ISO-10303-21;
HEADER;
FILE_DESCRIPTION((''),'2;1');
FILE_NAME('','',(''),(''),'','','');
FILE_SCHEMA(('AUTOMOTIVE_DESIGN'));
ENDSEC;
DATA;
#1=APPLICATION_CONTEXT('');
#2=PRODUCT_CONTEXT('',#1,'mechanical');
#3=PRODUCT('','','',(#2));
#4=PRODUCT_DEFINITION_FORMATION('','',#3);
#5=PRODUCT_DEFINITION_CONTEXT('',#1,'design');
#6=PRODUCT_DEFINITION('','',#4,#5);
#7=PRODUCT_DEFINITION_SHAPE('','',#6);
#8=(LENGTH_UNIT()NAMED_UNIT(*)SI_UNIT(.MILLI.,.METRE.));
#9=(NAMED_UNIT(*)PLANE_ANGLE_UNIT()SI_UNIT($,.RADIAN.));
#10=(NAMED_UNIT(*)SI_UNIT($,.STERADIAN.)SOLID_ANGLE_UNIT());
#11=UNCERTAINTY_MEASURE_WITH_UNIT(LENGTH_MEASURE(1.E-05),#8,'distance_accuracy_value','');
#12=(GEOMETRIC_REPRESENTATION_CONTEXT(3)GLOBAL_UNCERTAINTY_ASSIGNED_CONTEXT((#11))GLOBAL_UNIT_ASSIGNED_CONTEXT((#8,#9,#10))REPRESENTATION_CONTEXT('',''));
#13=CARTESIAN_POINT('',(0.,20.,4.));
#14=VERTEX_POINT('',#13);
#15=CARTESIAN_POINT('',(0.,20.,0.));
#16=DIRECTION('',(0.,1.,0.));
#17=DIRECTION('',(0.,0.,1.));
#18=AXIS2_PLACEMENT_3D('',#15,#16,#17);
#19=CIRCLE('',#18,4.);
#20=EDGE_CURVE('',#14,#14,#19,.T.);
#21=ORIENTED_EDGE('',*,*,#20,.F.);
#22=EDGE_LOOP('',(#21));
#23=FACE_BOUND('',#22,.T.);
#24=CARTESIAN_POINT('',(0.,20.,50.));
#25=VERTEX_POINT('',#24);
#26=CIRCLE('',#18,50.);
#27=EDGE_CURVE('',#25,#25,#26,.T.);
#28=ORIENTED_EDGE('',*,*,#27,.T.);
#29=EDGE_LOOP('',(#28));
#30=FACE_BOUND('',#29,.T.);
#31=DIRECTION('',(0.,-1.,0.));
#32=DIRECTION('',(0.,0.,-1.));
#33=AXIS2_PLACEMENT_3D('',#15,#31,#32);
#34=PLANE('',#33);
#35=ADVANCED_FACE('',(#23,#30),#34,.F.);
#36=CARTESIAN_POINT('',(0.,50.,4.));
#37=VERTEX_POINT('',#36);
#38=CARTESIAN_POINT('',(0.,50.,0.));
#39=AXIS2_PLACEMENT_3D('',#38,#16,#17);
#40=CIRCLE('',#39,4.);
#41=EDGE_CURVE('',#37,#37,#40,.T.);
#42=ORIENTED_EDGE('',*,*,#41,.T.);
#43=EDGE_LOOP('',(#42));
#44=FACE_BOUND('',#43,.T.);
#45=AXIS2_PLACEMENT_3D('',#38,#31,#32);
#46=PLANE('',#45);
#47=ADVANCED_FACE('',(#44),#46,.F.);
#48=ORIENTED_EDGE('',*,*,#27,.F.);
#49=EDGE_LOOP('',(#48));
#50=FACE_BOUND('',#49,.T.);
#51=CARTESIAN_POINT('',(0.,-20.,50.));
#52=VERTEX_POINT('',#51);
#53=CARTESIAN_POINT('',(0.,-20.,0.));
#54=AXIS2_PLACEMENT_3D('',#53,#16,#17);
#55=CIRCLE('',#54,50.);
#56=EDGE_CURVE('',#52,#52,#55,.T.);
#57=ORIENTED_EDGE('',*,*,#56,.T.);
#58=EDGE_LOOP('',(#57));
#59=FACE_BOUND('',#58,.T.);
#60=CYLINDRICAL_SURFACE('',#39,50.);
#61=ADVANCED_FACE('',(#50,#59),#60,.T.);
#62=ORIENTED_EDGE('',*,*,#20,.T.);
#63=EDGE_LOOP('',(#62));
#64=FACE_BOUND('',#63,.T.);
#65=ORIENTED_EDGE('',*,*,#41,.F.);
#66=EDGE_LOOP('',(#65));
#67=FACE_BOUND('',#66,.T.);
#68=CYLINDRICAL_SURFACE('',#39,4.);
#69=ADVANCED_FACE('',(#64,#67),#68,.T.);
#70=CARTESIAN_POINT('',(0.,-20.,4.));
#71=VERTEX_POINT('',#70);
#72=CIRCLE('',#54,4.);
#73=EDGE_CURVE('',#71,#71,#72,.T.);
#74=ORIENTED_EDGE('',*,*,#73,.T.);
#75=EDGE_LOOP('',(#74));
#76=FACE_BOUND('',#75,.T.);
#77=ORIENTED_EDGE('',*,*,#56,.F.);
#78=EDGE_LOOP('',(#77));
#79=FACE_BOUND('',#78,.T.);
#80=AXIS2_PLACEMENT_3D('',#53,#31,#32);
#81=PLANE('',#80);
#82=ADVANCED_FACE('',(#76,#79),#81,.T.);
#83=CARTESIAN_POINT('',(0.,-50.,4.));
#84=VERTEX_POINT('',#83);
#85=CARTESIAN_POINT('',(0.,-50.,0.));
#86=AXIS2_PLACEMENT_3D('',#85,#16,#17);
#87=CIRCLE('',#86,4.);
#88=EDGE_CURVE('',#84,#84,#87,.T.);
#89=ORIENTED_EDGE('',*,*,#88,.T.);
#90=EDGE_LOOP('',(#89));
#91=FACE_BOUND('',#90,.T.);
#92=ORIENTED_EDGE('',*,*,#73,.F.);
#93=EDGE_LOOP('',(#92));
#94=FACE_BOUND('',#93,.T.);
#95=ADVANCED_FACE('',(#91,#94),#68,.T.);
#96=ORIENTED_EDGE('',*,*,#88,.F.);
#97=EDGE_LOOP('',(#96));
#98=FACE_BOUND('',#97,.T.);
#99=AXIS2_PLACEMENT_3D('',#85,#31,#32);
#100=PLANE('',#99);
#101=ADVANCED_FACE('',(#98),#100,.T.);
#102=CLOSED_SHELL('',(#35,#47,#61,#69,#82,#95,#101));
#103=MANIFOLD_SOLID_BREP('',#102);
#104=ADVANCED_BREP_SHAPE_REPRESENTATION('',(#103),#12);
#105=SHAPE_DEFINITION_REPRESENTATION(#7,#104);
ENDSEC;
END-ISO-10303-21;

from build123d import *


with BuildPart() as part:
    # Sketch1 → Revolve3 (revolve)
    with BuildSketch(Plane.XY, mode=Mode.PRIVATE) as revolve3_sk:
        Polygon((0, 50), (0, 0), (50, 0), (50, 20), (4, 20), (4, 50), align=None)
        Polygon((50, 0), (0, 0), (0, -50), (4, -50), (4, -20), (50, -20), align=None)
    revolve(revolve3_sk.sketch.rotate(Axis((0, 50, 0), (0, -1, 0)), 90), axis=Axis((0, 50, 0), (0, -1, 0)))


solid = part.part
